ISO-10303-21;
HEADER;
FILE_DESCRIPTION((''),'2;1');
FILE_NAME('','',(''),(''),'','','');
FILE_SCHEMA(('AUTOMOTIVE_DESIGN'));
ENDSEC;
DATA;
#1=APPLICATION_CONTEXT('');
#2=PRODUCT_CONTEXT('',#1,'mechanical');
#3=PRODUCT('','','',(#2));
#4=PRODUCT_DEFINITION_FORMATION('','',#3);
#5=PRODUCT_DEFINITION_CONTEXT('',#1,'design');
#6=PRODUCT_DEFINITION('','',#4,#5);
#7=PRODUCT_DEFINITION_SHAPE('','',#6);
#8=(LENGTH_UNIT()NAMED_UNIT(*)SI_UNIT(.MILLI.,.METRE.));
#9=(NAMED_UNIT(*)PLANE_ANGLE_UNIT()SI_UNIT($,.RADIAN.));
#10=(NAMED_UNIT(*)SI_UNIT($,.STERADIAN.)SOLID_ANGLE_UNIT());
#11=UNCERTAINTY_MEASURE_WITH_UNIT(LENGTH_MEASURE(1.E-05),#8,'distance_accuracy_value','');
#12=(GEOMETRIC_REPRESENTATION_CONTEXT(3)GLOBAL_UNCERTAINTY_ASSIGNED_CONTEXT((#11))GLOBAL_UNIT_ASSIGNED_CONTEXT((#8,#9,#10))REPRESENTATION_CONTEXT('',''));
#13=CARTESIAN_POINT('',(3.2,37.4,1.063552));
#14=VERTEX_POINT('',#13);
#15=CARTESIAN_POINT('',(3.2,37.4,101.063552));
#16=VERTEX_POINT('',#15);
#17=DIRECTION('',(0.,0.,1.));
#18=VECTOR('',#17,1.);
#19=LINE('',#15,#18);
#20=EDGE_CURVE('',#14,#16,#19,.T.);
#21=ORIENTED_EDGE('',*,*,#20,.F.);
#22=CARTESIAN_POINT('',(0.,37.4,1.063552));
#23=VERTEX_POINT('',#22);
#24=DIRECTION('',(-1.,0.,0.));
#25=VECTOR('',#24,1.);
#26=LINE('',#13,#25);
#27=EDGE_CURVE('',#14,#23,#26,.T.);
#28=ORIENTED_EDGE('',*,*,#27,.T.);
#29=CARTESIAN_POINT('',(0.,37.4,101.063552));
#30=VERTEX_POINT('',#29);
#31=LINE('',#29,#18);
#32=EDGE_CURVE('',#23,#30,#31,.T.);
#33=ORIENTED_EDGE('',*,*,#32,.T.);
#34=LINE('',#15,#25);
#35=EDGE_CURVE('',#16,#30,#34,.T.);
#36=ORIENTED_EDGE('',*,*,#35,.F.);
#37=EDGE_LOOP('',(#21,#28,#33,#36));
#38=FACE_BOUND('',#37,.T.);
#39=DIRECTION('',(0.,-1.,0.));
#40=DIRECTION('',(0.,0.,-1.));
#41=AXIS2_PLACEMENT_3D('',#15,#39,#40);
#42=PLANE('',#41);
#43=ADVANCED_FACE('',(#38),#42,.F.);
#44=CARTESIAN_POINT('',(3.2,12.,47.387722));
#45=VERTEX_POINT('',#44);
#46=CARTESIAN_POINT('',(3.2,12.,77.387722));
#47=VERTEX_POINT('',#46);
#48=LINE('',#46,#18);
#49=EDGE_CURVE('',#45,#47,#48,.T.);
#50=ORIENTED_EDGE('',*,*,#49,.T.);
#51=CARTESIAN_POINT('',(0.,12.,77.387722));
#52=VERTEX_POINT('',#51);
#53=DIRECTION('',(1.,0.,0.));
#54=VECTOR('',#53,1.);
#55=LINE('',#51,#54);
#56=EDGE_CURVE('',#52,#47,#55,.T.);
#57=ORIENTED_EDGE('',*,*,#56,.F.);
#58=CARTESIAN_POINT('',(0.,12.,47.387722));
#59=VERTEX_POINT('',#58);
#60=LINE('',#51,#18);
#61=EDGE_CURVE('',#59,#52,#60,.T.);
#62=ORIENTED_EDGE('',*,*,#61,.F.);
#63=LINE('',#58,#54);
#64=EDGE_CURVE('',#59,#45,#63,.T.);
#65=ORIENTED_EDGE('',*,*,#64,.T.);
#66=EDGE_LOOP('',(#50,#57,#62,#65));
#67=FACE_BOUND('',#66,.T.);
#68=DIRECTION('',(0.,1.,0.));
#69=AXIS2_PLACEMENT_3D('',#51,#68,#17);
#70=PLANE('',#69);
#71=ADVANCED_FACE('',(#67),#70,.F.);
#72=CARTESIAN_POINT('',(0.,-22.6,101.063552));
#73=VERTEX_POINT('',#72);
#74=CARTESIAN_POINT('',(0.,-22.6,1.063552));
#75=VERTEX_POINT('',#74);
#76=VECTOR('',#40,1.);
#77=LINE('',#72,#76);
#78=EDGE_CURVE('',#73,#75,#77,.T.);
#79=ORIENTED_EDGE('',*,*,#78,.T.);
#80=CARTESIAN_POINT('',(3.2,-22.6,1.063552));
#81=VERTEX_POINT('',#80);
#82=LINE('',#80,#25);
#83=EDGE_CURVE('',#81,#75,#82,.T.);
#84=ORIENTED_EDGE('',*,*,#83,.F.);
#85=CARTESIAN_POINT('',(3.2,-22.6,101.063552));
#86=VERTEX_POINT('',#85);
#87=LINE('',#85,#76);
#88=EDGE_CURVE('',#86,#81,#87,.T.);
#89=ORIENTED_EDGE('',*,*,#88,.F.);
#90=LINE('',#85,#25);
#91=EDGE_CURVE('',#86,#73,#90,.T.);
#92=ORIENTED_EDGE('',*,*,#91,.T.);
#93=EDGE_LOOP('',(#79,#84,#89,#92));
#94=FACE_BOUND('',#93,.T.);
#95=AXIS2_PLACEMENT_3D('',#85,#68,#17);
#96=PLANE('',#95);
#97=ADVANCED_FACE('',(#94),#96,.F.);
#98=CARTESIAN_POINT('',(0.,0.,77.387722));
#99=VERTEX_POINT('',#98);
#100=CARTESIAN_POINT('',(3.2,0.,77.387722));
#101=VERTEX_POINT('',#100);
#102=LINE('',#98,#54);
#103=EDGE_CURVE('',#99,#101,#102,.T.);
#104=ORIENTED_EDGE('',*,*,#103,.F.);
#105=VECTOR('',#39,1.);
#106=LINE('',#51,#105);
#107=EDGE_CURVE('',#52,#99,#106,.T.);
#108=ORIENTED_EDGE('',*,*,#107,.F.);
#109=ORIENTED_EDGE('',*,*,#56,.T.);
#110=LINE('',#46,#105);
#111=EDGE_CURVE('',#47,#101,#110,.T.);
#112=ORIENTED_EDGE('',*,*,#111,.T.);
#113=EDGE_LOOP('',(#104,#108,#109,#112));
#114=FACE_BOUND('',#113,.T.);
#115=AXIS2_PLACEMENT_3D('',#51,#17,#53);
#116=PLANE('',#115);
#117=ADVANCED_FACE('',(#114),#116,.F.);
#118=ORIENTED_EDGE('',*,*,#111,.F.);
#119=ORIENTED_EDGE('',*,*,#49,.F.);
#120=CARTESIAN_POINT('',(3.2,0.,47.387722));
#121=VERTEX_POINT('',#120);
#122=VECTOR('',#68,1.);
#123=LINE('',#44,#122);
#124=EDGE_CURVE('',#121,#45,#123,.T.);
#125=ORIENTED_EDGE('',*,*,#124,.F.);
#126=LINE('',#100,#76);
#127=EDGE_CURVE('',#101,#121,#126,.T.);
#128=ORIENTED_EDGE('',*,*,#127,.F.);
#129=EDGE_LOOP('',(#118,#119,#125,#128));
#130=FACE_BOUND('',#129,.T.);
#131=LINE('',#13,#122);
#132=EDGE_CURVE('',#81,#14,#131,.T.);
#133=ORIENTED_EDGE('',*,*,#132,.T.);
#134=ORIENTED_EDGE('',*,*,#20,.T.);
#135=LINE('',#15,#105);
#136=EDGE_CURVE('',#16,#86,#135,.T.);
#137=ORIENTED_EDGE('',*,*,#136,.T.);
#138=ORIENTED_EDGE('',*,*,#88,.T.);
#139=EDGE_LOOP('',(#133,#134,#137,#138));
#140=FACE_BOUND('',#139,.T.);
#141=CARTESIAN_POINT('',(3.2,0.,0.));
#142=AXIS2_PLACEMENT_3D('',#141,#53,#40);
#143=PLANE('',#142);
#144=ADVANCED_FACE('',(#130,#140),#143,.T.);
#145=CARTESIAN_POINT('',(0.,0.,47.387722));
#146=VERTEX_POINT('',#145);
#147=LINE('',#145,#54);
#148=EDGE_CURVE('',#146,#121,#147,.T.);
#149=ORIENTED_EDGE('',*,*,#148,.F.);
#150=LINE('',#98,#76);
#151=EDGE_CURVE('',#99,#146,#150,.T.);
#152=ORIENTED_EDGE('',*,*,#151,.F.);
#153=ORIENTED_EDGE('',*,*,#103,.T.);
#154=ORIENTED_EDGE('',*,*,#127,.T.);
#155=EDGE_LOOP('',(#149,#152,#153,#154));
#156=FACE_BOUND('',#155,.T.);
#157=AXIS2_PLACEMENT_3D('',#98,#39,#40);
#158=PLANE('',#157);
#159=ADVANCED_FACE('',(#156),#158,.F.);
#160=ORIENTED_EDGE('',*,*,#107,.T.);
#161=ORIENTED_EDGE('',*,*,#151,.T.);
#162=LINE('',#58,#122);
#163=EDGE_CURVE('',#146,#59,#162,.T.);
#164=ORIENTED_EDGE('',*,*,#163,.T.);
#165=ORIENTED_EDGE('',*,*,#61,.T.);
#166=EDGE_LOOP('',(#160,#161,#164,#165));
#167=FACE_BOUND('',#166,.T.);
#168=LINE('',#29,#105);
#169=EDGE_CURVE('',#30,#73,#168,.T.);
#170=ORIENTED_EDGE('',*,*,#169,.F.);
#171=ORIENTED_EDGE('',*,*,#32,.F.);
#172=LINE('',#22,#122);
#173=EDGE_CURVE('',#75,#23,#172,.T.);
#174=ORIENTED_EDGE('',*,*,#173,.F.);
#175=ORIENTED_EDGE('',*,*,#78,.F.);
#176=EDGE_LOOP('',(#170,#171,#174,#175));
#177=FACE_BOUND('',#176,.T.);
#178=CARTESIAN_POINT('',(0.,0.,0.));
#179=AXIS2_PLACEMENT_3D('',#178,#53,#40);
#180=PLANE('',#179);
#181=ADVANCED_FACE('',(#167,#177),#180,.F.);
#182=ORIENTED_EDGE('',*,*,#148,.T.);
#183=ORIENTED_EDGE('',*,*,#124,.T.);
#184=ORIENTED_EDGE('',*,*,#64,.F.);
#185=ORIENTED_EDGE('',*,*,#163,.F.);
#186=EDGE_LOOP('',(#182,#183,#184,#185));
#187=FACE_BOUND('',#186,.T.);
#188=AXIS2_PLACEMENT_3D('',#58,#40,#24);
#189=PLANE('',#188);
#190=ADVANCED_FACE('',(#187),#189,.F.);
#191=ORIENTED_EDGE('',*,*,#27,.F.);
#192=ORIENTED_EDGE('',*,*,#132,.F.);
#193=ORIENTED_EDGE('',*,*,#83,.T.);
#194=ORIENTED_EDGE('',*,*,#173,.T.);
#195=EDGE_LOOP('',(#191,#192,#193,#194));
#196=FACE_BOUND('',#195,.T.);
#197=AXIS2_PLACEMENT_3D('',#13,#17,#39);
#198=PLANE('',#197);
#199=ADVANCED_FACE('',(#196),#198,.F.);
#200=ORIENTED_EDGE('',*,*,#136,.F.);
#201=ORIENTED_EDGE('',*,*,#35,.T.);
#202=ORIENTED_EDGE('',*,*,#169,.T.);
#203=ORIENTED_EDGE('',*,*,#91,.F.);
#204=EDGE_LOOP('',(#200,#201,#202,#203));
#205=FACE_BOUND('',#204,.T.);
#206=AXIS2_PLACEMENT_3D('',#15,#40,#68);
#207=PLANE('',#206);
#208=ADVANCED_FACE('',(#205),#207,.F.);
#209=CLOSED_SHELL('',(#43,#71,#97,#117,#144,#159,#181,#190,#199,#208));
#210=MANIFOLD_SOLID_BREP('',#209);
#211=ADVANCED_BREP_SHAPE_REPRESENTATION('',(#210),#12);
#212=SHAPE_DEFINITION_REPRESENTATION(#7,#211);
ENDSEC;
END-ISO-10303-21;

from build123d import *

# Parameters (mm, degrees)
SKETCH2_W           = 100
SKETCH2_H           = 60
BOSS_EXTRUDE1_DEPTH = 3.2
SKETCH3_W           = 30
SKETCH3_H           = 12
CUT_EXTRUDE1_DEPTH  = 3.2


with BuildPart() as part:
    # Sketch2 → Boss-Extrude1 (new body)
    with BuildSketch(Plane(origin=(0, 0, 0), x_dir=(0, 0, -1), z_dir=(1, 0, 0))):
        with Locations((-51.063551639, 7.4)):
            Rectangle(SKETCH2_W, SKETCH2_H)
    extrude(amount=BOSS_EXTRUDE1_DEPTH)

    # Sketch3 → Cut-Extrude1 (cut)
    with BuildSketch(Plane(origin=(3.2, 0, 0), x_dir=(0, 0, -1), z_dir=(1, 0, 0))):
        with Locations((-62.387722099, 6)):
            Rectangle(SKETCH3_W, SKETCH3_H)
    extrude(amount=-CUT_EXTRUDE1_DEPTH, mode=Mode.SUBTRACT)


solid = part.part
